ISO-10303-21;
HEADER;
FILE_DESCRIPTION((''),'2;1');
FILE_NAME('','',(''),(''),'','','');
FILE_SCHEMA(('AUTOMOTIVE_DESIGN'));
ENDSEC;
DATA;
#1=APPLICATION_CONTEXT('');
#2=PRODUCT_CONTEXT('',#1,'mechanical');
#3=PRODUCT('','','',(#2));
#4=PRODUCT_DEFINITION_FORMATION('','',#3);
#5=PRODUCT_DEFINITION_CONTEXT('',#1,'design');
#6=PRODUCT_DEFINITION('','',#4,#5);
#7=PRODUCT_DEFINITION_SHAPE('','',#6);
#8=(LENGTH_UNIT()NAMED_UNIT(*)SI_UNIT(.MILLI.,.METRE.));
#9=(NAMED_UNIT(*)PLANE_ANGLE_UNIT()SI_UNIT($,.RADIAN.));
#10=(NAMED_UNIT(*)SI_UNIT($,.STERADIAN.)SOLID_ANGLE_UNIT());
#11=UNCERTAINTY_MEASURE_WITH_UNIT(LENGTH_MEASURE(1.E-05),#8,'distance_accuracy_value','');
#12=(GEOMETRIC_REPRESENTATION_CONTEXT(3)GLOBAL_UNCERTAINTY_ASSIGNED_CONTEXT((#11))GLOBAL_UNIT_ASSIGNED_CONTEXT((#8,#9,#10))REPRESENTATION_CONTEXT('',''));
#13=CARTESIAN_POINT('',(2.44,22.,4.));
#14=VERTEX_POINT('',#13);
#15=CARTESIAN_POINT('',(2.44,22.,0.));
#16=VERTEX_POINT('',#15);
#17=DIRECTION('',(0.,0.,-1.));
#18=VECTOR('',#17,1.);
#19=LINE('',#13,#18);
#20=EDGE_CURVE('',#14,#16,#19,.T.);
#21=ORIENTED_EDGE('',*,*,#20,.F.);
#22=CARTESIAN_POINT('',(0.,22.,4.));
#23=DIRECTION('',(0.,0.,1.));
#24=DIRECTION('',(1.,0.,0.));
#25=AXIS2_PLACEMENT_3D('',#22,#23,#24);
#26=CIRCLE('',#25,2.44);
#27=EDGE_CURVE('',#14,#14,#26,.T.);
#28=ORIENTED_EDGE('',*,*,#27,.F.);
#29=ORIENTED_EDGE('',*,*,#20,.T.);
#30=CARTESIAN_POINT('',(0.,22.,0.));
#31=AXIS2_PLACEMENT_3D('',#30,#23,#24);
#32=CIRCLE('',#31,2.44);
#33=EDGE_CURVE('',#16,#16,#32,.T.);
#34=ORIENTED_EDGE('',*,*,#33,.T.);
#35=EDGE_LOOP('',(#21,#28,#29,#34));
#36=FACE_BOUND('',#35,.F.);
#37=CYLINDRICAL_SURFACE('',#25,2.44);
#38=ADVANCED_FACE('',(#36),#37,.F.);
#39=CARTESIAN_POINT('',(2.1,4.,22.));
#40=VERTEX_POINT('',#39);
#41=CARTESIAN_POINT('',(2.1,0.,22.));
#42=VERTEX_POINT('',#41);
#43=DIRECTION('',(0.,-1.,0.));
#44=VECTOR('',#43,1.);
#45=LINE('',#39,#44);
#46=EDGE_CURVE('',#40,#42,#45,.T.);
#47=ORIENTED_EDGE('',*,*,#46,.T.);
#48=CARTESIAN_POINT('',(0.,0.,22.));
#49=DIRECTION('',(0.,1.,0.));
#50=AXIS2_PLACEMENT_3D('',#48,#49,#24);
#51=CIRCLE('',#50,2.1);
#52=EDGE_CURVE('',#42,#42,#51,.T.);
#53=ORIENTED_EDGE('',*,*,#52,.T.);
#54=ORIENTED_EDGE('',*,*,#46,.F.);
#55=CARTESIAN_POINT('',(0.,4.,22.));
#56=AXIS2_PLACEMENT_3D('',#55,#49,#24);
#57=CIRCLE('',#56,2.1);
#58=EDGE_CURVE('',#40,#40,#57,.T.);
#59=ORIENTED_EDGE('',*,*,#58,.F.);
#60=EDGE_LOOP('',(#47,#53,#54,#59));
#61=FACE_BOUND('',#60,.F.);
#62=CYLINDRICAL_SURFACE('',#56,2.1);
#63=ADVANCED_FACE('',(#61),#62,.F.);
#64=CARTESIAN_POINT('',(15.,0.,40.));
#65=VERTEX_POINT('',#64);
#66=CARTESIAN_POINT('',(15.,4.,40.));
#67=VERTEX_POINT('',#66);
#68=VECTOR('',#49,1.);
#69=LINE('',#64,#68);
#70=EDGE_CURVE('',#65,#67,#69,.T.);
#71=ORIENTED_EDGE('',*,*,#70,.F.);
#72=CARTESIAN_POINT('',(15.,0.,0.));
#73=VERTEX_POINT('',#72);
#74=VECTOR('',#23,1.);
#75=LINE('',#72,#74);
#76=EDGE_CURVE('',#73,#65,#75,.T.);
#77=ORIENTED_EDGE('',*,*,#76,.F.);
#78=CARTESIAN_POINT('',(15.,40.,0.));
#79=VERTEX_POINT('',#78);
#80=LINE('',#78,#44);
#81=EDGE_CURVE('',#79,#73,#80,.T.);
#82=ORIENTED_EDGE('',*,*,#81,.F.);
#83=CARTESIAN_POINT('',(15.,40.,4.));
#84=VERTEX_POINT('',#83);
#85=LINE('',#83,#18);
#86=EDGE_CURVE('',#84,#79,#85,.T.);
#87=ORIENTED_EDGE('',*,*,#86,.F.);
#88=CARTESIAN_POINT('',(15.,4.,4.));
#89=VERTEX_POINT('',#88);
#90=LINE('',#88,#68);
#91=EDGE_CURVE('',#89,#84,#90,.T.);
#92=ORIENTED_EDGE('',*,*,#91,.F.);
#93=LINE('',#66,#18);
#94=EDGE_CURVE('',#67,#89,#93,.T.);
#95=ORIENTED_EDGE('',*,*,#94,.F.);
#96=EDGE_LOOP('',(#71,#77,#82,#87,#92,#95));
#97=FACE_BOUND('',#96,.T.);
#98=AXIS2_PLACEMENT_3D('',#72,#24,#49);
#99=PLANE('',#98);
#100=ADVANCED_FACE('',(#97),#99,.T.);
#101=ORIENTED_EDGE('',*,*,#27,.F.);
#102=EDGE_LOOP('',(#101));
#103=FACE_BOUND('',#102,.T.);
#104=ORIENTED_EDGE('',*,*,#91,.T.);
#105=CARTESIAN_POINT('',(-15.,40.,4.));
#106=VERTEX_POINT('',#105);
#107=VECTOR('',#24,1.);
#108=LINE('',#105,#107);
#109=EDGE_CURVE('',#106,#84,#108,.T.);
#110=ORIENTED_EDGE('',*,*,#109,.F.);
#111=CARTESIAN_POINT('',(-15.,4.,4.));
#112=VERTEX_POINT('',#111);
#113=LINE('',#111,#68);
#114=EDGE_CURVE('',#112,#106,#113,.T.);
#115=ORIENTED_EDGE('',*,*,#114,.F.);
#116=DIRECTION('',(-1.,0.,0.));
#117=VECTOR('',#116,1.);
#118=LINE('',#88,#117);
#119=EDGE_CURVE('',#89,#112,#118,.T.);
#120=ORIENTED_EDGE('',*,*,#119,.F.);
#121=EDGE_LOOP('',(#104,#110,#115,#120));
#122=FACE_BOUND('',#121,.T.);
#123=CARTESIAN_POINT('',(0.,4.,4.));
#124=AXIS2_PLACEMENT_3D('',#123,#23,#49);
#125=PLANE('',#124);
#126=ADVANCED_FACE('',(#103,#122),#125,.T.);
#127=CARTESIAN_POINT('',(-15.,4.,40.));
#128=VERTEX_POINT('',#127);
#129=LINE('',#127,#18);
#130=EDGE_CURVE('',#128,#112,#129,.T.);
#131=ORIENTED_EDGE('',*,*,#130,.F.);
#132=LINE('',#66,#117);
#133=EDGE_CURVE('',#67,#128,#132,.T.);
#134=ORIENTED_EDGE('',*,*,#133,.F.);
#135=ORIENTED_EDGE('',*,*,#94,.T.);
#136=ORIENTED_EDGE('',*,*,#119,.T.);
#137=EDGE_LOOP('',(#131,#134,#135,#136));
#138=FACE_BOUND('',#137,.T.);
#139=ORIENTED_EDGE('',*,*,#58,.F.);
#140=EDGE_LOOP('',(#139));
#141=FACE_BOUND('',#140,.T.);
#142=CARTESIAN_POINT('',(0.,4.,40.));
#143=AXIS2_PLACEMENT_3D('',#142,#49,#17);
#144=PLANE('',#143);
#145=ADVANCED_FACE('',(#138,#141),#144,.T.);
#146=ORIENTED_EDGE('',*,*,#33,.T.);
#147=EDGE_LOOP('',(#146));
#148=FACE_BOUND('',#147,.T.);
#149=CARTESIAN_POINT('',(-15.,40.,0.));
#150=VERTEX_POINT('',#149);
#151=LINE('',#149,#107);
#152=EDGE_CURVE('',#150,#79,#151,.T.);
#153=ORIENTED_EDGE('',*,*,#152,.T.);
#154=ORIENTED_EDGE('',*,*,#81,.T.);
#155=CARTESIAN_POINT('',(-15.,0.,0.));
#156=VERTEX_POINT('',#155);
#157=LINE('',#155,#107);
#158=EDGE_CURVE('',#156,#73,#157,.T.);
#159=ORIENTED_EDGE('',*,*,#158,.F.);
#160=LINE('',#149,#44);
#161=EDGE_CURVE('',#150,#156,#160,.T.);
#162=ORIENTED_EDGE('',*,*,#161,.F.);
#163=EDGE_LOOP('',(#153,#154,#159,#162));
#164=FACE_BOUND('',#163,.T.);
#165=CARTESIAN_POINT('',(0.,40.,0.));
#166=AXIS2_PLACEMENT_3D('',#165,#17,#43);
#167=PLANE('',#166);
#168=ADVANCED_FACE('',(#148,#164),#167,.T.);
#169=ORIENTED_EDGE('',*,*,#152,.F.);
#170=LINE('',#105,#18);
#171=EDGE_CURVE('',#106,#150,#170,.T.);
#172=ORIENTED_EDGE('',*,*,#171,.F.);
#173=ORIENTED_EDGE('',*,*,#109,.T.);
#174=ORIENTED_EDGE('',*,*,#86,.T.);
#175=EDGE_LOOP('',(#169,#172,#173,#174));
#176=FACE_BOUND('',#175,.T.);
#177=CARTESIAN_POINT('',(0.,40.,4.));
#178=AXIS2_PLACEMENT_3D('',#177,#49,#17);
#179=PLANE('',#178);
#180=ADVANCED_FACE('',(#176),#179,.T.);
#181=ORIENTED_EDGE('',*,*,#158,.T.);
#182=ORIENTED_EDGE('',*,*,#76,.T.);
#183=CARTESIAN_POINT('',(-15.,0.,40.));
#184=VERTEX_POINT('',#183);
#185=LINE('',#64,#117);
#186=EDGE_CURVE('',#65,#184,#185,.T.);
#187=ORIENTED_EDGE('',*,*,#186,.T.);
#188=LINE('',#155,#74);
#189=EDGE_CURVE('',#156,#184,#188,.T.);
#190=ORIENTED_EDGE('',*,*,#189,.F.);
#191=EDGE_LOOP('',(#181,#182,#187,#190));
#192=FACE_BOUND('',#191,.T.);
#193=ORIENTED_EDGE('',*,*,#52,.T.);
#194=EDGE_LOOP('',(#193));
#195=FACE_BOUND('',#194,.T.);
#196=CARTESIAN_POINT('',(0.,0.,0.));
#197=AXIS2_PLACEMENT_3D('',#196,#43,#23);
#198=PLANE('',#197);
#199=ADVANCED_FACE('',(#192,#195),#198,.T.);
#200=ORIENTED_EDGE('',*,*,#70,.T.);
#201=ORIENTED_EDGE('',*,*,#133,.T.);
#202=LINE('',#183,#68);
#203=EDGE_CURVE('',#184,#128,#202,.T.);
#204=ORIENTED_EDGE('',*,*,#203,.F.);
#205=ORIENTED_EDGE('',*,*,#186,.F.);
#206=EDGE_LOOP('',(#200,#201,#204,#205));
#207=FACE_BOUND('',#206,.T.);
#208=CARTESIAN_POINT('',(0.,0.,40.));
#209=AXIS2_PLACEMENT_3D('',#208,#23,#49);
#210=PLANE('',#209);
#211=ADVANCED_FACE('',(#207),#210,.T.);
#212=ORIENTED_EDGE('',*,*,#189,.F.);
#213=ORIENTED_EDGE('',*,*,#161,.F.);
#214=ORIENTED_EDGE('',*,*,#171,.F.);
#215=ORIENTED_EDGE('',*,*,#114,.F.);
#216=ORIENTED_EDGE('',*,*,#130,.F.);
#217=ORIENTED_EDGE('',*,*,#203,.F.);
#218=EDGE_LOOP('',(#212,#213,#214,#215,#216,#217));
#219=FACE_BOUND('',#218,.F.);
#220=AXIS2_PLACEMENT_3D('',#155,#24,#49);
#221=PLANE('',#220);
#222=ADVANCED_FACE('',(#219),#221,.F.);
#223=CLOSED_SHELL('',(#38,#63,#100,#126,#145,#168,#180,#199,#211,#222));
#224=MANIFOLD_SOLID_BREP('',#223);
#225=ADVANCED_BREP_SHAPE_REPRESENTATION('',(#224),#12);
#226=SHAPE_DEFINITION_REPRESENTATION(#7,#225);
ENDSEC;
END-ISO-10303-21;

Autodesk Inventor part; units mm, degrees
ref_plane "YZ Plane" through (0, 0, 0) normal (1, 0, 0) x (0, 1, 0)
ref_plane "XZ Plane" through (0, 0, 0) normal (0, 1, 0) x (-1, 0, 0)
ref_plane "XY Plane" through (0, 0, 0) normal (0, 0, 1) x (1, 0, 0)
sketch "Sketch1" plane through (0, 0, 0) normal (1, 0, 0) x (0, 1, 0)
  line L0 (0, 0) -> (0, 40)
  line L1 (0, 40) -> (4, 40)
  line L2 (4, 40) -> (4, 4)
  line L3 (4, 4) -> (40, 4)
  line L4 (40, 4) -> (40, 0)
  line L5 (40, 0) -> (0, 0)
  dimension "d0" = 40
  dimension "d1" = 4
extrude "Extrusion1" add sketch "Sketch1" along normal mid plane 30
sketch "Sketch4" plane through (-15, 4, 4) normal (0, 0, 1) x (1, 0, 0)
  circle A0 centre (15, 18) radius 2.44
  line L0 (30, 36) -> (30, 0) projected
  line L1 (0, 36) -> (30, 36) projected
  point P0 (15, -4)
  point P1 (30, 18)
  point P2 (15, 36)
extrude "Extrusion3" cut sketch "Sketch4" against normal blind 10
sketch "Sketch5" plane through (-15, 4, 40) normal (0, 1, 0) x (1, 0, 0)
  line L0 (0, 0) -> (30, 0) projected
  line L1 (30, 36) -> (30, 0) projected
  line L2 (0, 36) -> (30, 36) projected
  line L3 (0, 0) -> (0, 36) projected
  circle A0 centre (15, 18) radius 2.1
  point P0 (15, 40)
  point P1 (30, 18)
  point P2 (15, 0)
  dimension "d9" = 4.2
extrude "Extrusion4" cut sketch "Sketch5" against normal through all contours A0
properties part number "30x30_angle" material "Stainless Steel"
